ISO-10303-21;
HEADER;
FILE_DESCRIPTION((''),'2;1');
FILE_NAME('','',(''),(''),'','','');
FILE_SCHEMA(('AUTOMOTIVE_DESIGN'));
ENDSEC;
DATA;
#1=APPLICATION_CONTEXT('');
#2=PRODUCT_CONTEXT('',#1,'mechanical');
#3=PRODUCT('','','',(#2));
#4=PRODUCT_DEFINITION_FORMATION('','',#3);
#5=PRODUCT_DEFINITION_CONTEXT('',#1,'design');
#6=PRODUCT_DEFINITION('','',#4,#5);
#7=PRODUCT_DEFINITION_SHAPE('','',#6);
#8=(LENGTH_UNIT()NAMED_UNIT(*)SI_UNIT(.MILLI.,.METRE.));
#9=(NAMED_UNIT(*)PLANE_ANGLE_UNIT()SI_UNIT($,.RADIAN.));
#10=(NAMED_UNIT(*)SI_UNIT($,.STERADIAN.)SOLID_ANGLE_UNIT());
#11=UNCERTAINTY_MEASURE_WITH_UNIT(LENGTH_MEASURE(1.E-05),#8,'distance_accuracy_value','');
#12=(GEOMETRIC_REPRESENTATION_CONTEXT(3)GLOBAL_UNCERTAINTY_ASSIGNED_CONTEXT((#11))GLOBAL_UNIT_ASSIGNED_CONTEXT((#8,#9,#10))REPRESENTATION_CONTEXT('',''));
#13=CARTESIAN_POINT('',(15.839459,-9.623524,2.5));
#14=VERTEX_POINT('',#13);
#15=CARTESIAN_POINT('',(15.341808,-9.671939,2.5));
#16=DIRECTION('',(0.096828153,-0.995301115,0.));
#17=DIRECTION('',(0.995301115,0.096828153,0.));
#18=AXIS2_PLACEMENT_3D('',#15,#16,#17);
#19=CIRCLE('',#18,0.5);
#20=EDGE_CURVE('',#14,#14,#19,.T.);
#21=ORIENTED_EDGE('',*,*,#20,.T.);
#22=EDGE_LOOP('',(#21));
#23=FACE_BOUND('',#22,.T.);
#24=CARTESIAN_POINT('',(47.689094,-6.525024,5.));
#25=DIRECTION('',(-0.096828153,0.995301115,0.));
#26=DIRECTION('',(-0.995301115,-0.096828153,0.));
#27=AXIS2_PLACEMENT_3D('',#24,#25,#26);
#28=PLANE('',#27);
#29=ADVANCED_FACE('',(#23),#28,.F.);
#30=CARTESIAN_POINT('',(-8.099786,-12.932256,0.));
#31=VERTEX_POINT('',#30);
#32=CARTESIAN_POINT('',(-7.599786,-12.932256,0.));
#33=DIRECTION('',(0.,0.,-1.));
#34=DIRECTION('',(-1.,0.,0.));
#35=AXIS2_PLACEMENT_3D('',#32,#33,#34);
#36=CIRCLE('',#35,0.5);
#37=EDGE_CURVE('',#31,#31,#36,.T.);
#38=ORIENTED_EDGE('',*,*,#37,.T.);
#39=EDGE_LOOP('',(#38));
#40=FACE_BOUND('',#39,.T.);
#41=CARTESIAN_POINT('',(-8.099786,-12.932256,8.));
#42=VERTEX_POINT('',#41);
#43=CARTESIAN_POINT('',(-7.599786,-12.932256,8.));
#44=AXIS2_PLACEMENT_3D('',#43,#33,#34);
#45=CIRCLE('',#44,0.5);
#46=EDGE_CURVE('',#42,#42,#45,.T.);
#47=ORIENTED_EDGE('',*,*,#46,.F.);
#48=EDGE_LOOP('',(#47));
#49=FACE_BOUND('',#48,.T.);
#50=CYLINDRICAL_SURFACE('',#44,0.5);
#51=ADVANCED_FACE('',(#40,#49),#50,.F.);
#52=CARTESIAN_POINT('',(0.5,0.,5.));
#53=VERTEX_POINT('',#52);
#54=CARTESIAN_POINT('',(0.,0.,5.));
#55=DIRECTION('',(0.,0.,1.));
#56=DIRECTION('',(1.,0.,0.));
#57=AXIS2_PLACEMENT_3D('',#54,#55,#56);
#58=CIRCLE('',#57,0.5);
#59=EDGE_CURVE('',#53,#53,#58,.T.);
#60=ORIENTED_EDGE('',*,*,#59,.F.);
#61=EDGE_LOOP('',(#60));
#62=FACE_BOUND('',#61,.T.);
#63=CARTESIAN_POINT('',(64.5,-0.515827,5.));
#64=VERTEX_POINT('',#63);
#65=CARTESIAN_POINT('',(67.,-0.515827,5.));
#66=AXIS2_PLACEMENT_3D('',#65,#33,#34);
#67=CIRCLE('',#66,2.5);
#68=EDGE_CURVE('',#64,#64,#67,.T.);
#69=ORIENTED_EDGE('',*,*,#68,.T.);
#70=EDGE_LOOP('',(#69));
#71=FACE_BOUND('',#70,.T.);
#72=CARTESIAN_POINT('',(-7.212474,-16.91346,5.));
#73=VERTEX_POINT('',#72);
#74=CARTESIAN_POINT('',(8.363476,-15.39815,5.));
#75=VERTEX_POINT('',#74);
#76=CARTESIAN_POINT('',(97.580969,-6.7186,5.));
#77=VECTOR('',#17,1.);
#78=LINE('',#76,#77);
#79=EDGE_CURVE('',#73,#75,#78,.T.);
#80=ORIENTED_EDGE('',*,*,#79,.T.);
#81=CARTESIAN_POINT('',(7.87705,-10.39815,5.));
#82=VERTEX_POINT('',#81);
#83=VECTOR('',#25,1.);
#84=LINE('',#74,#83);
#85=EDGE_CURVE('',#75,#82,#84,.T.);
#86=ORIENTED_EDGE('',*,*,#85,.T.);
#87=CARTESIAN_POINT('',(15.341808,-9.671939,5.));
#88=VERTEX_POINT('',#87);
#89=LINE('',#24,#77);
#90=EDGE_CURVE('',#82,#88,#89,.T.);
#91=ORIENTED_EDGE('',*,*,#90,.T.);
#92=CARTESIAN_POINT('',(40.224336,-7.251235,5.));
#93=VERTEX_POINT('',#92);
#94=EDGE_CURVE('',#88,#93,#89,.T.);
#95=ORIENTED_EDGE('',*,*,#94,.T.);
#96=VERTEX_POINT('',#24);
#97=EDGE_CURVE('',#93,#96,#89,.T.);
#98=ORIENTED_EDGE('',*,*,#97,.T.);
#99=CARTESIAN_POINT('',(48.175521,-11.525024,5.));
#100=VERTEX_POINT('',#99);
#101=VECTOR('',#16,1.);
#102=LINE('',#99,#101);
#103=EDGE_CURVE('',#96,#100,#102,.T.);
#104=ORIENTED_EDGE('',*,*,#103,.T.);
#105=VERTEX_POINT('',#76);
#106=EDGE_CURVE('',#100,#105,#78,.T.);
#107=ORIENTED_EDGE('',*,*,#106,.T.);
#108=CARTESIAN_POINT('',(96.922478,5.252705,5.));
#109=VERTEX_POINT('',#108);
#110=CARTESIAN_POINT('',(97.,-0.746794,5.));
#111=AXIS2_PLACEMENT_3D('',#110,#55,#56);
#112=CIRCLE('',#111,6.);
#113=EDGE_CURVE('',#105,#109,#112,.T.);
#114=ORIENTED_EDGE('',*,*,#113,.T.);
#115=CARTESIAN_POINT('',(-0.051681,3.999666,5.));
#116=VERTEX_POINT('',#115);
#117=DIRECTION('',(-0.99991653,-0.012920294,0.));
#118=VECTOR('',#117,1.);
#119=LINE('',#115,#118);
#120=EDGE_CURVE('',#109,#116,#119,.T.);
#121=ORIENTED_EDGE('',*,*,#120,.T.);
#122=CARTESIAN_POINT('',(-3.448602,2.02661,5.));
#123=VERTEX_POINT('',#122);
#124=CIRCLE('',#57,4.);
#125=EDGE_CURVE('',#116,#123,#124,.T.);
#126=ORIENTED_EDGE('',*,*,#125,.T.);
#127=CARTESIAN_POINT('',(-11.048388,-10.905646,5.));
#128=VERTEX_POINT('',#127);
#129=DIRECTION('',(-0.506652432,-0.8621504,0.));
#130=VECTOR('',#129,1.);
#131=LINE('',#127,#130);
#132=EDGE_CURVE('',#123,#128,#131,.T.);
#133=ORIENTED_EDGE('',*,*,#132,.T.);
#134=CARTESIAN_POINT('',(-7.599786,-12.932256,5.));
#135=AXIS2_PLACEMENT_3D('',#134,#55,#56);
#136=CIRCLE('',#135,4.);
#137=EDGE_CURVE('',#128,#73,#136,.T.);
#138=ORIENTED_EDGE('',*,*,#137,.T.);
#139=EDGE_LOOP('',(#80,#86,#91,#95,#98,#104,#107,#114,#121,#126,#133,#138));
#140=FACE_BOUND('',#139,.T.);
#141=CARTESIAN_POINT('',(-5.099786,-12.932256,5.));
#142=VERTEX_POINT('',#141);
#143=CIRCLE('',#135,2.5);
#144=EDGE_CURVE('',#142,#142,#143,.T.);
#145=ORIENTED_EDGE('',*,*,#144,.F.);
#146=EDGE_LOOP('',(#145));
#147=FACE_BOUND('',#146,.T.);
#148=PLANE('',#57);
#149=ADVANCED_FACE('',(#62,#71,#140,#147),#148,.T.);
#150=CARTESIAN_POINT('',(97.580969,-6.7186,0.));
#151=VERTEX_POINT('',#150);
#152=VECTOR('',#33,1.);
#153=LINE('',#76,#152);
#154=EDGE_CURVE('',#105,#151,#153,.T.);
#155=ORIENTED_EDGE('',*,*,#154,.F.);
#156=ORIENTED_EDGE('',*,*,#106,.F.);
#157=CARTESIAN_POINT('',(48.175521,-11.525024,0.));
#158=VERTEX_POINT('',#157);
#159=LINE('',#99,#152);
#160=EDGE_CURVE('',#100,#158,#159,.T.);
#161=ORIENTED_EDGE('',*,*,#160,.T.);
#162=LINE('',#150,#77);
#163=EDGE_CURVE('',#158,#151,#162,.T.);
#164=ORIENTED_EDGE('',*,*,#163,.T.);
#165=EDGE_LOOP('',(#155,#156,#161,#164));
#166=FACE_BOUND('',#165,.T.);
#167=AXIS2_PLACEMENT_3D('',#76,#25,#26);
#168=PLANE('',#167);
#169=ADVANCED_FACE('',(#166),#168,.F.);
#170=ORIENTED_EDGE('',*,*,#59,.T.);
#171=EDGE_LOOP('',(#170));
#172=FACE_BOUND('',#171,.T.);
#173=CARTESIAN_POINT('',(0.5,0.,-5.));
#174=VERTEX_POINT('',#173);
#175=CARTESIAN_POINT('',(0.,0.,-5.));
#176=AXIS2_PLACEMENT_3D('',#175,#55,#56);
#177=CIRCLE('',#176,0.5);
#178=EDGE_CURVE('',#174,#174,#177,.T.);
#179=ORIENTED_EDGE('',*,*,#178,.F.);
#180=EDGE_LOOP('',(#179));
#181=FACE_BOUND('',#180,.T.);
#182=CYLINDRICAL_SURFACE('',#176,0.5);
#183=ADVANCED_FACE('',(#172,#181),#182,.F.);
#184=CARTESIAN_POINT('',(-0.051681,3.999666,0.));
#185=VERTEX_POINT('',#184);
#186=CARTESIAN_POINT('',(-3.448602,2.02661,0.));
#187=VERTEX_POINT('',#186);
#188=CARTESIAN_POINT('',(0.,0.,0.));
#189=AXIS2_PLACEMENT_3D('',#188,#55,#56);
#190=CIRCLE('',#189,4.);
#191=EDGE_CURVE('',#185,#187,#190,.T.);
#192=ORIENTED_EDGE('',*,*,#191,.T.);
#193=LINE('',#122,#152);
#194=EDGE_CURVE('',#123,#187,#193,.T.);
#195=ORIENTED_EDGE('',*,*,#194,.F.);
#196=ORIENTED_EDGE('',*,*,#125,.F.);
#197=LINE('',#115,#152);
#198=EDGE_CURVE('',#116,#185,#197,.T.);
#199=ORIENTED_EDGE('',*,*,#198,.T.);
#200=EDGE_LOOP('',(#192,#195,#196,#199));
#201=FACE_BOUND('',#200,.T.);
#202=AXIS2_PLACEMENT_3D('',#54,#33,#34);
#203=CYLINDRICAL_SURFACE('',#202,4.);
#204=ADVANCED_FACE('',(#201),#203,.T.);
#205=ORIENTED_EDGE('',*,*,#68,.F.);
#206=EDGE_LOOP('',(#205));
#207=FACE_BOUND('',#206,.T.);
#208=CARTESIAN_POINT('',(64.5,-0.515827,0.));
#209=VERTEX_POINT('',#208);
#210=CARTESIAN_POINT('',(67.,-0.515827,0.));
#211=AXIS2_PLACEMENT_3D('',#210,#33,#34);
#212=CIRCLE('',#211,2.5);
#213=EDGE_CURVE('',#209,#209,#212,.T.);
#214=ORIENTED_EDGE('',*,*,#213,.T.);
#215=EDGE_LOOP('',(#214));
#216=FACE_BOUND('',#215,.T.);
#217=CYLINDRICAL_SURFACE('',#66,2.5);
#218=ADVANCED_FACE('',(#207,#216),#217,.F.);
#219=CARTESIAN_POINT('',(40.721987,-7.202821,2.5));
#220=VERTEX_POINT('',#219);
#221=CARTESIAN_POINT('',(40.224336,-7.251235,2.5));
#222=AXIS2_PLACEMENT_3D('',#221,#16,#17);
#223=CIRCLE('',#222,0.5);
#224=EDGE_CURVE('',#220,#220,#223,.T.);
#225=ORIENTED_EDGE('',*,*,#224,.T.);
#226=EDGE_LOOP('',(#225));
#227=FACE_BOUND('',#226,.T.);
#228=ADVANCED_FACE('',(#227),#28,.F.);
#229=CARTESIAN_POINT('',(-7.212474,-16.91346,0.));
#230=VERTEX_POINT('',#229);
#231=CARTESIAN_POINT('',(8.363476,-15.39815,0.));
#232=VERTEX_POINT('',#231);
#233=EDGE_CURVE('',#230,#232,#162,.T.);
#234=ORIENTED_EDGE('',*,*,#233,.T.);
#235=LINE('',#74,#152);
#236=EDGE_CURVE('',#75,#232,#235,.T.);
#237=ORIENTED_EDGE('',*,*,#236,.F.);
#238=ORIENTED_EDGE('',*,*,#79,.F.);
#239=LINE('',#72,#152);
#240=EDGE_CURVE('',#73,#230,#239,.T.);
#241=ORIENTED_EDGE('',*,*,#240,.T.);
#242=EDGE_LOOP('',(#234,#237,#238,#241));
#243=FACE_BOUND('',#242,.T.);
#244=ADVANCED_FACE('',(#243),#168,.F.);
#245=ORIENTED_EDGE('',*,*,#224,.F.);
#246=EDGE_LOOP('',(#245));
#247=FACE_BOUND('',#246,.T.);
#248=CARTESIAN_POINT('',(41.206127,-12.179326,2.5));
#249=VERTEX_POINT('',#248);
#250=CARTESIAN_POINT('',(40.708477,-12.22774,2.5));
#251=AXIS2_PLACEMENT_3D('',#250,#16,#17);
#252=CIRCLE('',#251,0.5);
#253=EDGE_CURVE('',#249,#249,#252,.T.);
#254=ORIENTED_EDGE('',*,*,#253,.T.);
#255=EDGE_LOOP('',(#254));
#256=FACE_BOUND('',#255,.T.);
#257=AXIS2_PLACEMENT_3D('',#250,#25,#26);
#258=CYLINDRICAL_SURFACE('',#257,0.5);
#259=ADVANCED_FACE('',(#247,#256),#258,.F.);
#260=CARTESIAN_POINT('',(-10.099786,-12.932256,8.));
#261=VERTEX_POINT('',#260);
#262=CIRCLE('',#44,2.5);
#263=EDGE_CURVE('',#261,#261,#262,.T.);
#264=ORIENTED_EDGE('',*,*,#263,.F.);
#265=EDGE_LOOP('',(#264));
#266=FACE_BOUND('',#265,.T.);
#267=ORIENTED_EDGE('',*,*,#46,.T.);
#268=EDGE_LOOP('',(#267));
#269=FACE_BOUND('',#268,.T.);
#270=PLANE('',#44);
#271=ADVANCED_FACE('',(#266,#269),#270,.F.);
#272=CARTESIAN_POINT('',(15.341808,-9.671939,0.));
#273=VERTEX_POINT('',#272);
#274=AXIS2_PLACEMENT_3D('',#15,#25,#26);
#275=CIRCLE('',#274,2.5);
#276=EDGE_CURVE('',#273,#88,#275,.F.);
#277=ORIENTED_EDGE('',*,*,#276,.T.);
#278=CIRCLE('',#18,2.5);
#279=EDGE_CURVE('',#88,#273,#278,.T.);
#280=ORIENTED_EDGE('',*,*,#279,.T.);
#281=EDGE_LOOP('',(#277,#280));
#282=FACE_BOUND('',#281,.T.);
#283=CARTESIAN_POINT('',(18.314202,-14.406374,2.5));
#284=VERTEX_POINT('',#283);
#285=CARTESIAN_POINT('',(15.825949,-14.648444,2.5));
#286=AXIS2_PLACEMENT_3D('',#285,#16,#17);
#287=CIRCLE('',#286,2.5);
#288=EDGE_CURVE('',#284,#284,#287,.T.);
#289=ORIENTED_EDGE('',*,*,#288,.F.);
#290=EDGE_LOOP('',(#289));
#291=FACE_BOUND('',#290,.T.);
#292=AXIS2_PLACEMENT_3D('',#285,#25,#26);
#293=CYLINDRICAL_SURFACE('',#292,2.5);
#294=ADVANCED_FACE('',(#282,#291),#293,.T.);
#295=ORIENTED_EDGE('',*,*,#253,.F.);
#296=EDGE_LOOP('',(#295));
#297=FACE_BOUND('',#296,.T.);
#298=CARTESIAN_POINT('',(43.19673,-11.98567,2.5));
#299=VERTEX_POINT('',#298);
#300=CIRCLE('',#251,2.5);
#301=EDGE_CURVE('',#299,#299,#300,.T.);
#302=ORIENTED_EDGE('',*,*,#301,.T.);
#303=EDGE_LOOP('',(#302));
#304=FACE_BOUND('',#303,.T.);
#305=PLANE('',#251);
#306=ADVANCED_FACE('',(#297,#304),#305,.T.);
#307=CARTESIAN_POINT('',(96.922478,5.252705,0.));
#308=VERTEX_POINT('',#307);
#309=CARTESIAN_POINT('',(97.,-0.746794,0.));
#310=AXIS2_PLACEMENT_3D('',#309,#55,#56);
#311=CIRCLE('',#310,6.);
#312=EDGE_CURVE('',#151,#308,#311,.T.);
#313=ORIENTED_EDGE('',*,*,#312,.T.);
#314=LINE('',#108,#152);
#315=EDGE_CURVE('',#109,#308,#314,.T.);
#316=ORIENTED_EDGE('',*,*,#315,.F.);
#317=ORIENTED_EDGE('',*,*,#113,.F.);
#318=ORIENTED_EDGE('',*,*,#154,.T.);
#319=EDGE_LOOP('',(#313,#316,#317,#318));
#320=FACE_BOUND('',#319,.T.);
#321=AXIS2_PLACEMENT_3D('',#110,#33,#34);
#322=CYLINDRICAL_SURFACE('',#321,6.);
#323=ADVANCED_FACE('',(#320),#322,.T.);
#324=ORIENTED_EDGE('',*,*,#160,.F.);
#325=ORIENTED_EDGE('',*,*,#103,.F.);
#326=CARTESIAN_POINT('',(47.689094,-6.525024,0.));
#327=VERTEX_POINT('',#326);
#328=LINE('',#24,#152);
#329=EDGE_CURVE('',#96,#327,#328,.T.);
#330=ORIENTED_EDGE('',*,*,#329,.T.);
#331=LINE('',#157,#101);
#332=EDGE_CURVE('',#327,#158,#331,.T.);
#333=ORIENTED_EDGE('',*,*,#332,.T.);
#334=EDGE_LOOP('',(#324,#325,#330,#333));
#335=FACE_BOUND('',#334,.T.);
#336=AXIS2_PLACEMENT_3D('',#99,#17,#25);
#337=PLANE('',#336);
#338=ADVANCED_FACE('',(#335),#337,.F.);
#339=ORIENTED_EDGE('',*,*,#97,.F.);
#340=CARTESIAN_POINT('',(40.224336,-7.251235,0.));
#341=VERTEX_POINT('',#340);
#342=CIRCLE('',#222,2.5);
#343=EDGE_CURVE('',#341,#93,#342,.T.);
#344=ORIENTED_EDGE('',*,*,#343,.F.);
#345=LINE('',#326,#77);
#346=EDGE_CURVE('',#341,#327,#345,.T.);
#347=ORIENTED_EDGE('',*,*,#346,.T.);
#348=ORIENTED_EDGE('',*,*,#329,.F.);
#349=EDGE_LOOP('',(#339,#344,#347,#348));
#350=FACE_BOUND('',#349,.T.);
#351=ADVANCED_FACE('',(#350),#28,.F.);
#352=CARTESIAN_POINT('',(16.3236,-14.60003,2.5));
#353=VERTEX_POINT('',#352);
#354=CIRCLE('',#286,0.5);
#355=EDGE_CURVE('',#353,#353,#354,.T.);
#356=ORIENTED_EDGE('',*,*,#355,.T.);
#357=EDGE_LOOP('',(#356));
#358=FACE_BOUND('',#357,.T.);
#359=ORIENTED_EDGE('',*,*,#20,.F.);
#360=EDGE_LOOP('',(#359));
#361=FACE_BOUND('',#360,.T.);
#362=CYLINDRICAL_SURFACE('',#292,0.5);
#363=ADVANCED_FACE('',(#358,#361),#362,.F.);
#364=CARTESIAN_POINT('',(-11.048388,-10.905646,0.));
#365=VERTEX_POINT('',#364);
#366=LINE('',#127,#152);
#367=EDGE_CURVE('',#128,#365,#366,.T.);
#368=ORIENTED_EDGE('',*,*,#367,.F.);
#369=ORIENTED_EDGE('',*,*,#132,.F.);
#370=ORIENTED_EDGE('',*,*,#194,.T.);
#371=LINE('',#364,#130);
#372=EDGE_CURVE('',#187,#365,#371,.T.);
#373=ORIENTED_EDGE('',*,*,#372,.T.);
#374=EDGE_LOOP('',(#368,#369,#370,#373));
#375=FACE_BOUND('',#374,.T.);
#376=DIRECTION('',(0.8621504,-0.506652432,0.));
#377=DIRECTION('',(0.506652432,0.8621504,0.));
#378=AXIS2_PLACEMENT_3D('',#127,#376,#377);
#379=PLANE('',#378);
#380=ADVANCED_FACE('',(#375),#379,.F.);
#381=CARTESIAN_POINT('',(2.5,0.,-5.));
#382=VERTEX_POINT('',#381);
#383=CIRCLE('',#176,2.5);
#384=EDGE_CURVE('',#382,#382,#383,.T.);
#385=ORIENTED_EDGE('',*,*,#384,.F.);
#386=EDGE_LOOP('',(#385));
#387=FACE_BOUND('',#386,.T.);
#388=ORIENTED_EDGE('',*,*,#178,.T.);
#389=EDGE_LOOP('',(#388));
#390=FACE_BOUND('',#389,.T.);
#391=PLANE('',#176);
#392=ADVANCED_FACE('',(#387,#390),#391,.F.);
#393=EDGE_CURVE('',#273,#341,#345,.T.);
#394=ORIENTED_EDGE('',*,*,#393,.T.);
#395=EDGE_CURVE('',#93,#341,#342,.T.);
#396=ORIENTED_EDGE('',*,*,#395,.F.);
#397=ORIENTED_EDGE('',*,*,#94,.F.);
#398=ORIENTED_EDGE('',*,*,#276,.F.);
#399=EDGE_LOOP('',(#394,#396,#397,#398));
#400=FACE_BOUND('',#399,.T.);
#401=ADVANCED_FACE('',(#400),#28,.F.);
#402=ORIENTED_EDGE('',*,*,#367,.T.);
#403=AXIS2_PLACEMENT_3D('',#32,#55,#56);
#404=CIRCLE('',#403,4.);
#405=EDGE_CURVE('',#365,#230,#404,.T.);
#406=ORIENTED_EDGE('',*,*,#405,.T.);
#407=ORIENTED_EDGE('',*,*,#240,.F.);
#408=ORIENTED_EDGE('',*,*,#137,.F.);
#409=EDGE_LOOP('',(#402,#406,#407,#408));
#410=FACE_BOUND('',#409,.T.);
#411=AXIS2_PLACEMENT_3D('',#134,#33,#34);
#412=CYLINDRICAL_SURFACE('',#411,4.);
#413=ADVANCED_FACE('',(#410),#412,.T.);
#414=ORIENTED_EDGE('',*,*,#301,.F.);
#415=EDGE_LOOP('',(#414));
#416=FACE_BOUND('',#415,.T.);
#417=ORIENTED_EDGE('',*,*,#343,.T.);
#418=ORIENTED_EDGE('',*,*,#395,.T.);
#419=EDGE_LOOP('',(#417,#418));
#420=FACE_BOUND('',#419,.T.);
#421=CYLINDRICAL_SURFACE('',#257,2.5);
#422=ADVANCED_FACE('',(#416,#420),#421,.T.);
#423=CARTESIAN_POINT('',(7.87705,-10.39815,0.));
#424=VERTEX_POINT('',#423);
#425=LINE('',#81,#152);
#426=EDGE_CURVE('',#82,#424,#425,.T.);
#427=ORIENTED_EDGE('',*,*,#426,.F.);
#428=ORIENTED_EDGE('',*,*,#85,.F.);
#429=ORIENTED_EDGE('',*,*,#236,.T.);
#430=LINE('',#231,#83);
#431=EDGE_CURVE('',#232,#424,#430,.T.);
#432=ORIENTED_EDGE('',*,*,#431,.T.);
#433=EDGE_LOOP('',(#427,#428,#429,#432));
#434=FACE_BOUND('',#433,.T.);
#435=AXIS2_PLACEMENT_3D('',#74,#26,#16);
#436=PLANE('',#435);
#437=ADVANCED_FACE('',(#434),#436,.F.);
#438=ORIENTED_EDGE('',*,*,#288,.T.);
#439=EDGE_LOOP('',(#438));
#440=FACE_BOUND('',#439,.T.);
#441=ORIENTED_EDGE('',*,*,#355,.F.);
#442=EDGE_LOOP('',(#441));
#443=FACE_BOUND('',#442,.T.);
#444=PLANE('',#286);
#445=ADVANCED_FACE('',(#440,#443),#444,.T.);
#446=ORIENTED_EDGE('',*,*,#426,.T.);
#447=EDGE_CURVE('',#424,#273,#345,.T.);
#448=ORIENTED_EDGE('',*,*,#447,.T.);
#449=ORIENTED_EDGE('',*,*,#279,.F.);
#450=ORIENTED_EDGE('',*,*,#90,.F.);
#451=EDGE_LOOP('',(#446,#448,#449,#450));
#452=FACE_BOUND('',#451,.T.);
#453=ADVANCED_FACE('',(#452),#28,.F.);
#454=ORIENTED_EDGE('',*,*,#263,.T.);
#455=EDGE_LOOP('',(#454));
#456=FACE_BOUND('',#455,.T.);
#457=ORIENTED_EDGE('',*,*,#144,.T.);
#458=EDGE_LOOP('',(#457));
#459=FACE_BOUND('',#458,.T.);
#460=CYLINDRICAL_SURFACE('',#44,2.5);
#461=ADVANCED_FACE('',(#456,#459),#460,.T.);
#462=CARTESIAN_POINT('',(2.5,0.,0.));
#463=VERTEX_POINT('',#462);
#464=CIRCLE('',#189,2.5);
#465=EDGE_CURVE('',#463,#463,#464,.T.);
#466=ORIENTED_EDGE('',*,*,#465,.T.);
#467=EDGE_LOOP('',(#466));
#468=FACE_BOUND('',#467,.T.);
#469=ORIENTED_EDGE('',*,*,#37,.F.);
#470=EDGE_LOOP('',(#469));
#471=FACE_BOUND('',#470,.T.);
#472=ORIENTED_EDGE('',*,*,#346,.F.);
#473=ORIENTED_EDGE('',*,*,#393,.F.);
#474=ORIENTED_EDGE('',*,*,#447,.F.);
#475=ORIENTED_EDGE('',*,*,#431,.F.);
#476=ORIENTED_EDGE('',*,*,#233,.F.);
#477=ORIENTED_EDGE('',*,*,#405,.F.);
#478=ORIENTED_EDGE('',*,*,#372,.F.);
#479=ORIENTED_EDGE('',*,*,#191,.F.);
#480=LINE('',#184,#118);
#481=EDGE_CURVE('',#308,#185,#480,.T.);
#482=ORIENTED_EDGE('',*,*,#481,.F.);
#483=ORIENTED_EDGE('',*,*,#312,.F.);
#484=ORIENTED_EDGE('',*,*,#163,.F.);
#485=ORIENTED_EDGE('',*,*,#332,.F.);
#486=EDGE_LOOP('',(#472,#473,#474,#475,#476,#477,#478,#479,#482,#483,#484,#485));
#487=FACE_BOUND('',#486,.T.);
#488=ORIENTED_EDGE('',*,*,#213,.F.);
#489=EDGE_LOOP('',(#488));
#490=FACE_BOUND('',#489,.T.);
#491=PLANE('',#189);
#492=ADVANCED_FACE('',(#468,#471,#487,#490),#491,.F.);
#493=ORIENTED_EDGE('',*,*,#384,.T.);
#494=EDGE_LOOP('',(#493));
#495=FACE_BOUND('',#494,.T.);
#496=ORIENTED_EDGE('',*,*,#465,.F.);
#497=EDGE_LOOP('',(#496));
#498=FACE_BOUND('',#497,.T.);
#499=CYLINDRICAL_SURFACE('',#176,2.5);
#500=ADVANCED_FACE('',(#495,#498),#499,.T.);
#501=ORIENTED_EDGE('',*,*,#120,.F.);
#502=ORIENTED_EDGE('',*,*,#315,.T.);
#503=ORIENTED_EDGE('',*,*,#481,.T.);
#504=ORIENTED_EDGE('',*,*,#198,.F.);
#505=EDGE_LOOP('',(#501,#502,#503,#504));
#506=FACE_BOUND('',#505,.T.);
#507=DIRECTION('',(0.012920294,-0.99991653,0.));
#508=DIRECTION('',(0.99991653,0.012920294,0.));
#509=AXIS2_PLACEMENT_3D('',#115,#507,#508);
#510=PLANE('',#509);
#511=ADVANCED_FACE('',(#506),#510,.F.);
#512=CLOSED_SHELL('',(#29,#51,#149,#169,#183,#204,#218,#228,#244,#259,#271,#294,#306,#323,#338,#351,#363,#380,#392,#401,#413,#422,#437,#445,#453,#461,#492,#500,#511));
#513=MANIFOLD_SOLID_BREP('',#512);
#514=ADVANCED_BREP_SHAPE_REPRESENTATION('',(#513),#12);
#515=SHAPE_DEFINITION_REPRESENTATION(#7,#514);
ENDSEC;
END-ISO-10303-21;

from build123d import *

# Parameters (mm, degrees)
SKETCH3_R           = 2.5
BOSS_EXTRUDE1_DEPTH = 5
BOSS_EXTRUDE2_START = -10
SKETCH4_R           = 2.5
SKETCH4_R_2         = 0.5
BOSS_EXTRUDE2_DEPTH = 10
SKETCH5_R           = 2.5
SKETCH5_R_2         = 0.5
BOSS_EXTRUDE3_DEPTH = 8
SKETCH6_R           = 2.5
CUT_EXTRUDE1_DEPTH  = 5
CUT_EXTRUDE2_DEPTH  = 5
SKETCH8_R           = 2.5
SKETCH8_R_2         = 0.5
BOSS_EXTRUDE4_DEPTH = 5


with BuildPart() as part:
    # Sketch3 → Boss-Extrude1 (new body)
    with BuildSketch(Plane.XY):
        with BuildLine():
            Line((-11.048388083, -10.905646279), (-3.448601602, 2.026609728))
            ThreePointArc((-3.448601602, 2.026609728), (-2.00903777, 3.458867913), (-0.051681177, 3.999666118))
            Line((-0.051681177, 3.999666118), (96.922478234, 5.252705394))
            ThreePointArc((96.922478234, 5.252705394), (102.990943647, -0.417257421), (97.580968918, -6.718600471))
            Line((97.580968918, -6.718600471), (-7.212473869, -16.913460466))
            ThreePointArc((-7.212473869, -16.913460466), (-10.971185359, -15.084852023), (-11.048388083, -10.905646279))
        make_face()
        with Locations((-7.599786481, -12.932256007)):
            Circle(SKETCH3_R, mode=Mode.SUBTRACT)
        Circle(SKETCH3_R, mode=Mode.SUBTRACT)
    extrude(amount=BOSS_EXTRUDE1_DEPTH)

    # Sketch4 → Boss-Extrude2 (add)
    with BuildSketch(Plane.XY.offset(5).offset(BOSS_EXTRUDE2_START)):
        Circle(SKETCH4_R)
        Circle(SKETCH4_R_2, mode=Mode.SUBTRACT)
    extrude(amount=BOSS_EXTRUDE2_DEPTH)

    # Sketch5 → Boss-Extrude3 (add)
    with BuildSketch(Plane(origin=(0, 0, 0), x_dir=(-1, 0, 0), z_dir=(0, 0, -1))):
        with Locations((7.599786481, -12.932256007)):
            Circle(SKETCH5_R)
        with Locations((7.599786481, -12.932256007)):
            Circle(SKETCH5_R_2, mode=Mode.SUBTRACT)
    extrude(amount=-BOSS_EXTRUDE3_DEPTH)

    # Sketch6 → Cut-Extrude1 (cut)
    with BuildSketch(Plane(origin=(0, 0, 0), x_dir=(-1, 0, 0), z_dir=(0, 0, -1))):
        with Locations((-67, -0.515826634)):
            Circle(SKETCH6_R)
    extrude(amount=-CUT_EXTRUDE1_DEPTH, mode=Mode.SUBTRACT)

    # Sketch7 → Cut-Extrude2 (cut)
    with BuildSketch(Plane(origin=(0, 0, 0), x_dir=(-1, 0, 0), z_dir=(0, 0, -1))):
        Polygon((-48.17552087, -11.525023587), (-8.363476285, -15.398149709), (-7.877049858, -10.398149709), (-47.689094443, -6.525023587), align=None)
    extrude(amount=-CUT_EXTRUDE2_DEPTH, mode=Mode.SUBTRACT)

    # Sketch8 → Boss-Extrude4 (add)
    # profile 1 of 2: a face of its own
    with BuildSketch(Plane(origin=(1.075955423, -11.059796122, 0), x_dir=(0.9953011146267038, 0.09682815304879674, 0), z_dir=(0.09682815304879674, -0.9953011146267039, 0))):
        with Locations(Location((14.333202872, 2.5, 0), (0, 0, 90))):
            Circle(SKETCH8_R)
        with Locations((14.333202872, 2.5)):
            Circle(SKETCH8_R_2, mode=Mode.SUBTRACT)
    # profile 2 of 2: a face of its own
    with BuildSketch(Plane(origin=(1.075955423, -11.059796122, 0), x_dir=(0.9953011146267038, 0.09682815304879674, 0), z_dir=(0.09682815304879674, -0.9953011146267039, 0))):
        with Locations(Location((39.333202872, 2.5, 0), (0, 0, 270))):
            Circle(SKETCH8_R)
        with Locations((39.333202872, 2.5)):
            Circle(SKETCH8_R_2, mode=Mode.SUBTRACT)
    extrude(amount=BOSS_EXTRUDE4_DEPTH)


solid = part.part
